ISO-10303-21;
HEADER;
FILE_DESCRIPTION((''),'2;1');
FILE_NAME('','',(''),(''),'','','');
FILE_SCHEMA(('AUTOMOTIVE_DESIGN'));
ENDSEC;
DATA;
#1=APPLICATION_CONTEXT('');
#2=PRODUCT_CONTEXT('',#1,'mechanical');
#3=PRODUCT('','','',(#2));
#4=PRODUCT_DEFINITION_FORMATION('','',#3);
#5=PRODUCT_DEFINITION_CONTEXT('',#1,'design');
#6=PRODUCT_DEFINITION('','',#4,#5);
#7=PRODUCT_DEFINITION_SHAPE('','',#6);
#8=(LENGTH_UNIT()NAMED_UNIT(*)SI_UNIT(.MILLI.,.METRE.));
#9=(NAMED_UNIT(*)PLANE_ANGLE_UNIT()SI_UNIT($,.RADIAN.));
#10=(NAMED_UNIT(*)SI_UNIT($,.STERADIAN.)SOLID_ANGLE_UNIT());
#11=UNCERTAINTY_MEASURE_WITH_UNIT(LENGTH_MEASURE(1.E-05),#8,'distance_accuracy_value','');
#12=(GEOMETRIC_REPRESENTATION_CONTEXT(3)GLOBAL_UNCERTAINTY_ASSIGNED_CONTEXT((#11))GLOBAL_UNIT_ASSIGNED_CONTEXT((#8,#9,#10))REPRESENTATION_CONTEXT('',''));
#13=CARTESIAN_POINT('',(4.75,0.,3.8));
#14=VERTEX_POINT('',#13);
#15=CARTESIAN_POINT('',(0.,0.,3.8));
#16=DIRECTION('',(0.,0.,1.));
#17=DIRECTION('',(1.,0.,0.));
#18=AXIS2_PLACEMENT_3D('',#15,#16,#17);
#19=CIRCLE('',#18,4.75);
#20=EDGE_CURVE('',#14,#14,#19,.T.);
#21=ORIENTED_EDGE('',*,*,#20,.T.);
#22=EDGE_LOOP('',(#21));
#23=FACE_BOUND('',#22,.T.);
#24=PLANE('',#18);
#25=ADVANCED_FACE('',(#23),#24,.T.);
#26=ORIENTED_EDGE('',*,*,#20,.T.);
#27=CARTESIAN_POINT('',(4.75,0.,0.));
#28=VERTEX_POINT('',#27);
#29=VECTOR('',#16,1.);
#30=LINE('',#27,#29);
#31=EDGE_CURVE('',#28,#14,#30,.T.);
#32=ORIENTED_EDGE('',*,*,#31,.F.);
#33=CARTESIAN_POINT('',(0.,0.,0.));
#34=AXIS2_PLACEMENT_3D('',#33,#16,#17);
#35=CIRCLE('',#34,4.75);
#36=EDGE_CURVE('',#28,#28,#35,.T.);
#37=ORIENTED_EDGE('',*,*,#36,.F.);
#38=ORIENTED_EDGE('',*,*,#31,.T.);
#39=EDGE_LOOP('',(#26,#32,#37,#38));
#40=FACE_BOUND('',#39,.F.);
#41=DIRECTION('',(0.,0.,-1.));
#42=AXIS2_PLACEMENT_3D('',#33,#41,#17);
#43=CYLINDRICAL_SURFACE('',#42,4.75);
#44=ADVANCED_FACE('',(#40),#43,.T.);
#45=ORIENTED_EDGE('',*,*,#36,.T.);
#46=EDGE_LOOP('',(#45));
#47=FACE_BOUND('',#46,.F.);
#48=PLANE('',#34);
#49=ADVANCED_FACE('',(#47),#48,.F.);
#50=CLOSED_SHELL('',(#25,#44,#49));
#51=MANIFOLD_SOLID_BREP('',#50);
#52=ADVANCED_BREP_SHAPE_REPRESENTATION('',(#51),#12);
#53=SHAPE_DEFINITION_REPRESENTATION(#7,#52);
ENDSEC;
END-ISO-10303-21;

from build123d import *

# Parameters (mm, degrees)
SKETCH_R  = 4.75
PAD_DEPTH = 3.8


with BuildPart() as part:
    # Sketch → Pad (new body)
    with BuildSketch(Plane.XY):
        Circle(SKETCH_R)
    extrude(amount=PAD_DEPTH)


solid = part.part
